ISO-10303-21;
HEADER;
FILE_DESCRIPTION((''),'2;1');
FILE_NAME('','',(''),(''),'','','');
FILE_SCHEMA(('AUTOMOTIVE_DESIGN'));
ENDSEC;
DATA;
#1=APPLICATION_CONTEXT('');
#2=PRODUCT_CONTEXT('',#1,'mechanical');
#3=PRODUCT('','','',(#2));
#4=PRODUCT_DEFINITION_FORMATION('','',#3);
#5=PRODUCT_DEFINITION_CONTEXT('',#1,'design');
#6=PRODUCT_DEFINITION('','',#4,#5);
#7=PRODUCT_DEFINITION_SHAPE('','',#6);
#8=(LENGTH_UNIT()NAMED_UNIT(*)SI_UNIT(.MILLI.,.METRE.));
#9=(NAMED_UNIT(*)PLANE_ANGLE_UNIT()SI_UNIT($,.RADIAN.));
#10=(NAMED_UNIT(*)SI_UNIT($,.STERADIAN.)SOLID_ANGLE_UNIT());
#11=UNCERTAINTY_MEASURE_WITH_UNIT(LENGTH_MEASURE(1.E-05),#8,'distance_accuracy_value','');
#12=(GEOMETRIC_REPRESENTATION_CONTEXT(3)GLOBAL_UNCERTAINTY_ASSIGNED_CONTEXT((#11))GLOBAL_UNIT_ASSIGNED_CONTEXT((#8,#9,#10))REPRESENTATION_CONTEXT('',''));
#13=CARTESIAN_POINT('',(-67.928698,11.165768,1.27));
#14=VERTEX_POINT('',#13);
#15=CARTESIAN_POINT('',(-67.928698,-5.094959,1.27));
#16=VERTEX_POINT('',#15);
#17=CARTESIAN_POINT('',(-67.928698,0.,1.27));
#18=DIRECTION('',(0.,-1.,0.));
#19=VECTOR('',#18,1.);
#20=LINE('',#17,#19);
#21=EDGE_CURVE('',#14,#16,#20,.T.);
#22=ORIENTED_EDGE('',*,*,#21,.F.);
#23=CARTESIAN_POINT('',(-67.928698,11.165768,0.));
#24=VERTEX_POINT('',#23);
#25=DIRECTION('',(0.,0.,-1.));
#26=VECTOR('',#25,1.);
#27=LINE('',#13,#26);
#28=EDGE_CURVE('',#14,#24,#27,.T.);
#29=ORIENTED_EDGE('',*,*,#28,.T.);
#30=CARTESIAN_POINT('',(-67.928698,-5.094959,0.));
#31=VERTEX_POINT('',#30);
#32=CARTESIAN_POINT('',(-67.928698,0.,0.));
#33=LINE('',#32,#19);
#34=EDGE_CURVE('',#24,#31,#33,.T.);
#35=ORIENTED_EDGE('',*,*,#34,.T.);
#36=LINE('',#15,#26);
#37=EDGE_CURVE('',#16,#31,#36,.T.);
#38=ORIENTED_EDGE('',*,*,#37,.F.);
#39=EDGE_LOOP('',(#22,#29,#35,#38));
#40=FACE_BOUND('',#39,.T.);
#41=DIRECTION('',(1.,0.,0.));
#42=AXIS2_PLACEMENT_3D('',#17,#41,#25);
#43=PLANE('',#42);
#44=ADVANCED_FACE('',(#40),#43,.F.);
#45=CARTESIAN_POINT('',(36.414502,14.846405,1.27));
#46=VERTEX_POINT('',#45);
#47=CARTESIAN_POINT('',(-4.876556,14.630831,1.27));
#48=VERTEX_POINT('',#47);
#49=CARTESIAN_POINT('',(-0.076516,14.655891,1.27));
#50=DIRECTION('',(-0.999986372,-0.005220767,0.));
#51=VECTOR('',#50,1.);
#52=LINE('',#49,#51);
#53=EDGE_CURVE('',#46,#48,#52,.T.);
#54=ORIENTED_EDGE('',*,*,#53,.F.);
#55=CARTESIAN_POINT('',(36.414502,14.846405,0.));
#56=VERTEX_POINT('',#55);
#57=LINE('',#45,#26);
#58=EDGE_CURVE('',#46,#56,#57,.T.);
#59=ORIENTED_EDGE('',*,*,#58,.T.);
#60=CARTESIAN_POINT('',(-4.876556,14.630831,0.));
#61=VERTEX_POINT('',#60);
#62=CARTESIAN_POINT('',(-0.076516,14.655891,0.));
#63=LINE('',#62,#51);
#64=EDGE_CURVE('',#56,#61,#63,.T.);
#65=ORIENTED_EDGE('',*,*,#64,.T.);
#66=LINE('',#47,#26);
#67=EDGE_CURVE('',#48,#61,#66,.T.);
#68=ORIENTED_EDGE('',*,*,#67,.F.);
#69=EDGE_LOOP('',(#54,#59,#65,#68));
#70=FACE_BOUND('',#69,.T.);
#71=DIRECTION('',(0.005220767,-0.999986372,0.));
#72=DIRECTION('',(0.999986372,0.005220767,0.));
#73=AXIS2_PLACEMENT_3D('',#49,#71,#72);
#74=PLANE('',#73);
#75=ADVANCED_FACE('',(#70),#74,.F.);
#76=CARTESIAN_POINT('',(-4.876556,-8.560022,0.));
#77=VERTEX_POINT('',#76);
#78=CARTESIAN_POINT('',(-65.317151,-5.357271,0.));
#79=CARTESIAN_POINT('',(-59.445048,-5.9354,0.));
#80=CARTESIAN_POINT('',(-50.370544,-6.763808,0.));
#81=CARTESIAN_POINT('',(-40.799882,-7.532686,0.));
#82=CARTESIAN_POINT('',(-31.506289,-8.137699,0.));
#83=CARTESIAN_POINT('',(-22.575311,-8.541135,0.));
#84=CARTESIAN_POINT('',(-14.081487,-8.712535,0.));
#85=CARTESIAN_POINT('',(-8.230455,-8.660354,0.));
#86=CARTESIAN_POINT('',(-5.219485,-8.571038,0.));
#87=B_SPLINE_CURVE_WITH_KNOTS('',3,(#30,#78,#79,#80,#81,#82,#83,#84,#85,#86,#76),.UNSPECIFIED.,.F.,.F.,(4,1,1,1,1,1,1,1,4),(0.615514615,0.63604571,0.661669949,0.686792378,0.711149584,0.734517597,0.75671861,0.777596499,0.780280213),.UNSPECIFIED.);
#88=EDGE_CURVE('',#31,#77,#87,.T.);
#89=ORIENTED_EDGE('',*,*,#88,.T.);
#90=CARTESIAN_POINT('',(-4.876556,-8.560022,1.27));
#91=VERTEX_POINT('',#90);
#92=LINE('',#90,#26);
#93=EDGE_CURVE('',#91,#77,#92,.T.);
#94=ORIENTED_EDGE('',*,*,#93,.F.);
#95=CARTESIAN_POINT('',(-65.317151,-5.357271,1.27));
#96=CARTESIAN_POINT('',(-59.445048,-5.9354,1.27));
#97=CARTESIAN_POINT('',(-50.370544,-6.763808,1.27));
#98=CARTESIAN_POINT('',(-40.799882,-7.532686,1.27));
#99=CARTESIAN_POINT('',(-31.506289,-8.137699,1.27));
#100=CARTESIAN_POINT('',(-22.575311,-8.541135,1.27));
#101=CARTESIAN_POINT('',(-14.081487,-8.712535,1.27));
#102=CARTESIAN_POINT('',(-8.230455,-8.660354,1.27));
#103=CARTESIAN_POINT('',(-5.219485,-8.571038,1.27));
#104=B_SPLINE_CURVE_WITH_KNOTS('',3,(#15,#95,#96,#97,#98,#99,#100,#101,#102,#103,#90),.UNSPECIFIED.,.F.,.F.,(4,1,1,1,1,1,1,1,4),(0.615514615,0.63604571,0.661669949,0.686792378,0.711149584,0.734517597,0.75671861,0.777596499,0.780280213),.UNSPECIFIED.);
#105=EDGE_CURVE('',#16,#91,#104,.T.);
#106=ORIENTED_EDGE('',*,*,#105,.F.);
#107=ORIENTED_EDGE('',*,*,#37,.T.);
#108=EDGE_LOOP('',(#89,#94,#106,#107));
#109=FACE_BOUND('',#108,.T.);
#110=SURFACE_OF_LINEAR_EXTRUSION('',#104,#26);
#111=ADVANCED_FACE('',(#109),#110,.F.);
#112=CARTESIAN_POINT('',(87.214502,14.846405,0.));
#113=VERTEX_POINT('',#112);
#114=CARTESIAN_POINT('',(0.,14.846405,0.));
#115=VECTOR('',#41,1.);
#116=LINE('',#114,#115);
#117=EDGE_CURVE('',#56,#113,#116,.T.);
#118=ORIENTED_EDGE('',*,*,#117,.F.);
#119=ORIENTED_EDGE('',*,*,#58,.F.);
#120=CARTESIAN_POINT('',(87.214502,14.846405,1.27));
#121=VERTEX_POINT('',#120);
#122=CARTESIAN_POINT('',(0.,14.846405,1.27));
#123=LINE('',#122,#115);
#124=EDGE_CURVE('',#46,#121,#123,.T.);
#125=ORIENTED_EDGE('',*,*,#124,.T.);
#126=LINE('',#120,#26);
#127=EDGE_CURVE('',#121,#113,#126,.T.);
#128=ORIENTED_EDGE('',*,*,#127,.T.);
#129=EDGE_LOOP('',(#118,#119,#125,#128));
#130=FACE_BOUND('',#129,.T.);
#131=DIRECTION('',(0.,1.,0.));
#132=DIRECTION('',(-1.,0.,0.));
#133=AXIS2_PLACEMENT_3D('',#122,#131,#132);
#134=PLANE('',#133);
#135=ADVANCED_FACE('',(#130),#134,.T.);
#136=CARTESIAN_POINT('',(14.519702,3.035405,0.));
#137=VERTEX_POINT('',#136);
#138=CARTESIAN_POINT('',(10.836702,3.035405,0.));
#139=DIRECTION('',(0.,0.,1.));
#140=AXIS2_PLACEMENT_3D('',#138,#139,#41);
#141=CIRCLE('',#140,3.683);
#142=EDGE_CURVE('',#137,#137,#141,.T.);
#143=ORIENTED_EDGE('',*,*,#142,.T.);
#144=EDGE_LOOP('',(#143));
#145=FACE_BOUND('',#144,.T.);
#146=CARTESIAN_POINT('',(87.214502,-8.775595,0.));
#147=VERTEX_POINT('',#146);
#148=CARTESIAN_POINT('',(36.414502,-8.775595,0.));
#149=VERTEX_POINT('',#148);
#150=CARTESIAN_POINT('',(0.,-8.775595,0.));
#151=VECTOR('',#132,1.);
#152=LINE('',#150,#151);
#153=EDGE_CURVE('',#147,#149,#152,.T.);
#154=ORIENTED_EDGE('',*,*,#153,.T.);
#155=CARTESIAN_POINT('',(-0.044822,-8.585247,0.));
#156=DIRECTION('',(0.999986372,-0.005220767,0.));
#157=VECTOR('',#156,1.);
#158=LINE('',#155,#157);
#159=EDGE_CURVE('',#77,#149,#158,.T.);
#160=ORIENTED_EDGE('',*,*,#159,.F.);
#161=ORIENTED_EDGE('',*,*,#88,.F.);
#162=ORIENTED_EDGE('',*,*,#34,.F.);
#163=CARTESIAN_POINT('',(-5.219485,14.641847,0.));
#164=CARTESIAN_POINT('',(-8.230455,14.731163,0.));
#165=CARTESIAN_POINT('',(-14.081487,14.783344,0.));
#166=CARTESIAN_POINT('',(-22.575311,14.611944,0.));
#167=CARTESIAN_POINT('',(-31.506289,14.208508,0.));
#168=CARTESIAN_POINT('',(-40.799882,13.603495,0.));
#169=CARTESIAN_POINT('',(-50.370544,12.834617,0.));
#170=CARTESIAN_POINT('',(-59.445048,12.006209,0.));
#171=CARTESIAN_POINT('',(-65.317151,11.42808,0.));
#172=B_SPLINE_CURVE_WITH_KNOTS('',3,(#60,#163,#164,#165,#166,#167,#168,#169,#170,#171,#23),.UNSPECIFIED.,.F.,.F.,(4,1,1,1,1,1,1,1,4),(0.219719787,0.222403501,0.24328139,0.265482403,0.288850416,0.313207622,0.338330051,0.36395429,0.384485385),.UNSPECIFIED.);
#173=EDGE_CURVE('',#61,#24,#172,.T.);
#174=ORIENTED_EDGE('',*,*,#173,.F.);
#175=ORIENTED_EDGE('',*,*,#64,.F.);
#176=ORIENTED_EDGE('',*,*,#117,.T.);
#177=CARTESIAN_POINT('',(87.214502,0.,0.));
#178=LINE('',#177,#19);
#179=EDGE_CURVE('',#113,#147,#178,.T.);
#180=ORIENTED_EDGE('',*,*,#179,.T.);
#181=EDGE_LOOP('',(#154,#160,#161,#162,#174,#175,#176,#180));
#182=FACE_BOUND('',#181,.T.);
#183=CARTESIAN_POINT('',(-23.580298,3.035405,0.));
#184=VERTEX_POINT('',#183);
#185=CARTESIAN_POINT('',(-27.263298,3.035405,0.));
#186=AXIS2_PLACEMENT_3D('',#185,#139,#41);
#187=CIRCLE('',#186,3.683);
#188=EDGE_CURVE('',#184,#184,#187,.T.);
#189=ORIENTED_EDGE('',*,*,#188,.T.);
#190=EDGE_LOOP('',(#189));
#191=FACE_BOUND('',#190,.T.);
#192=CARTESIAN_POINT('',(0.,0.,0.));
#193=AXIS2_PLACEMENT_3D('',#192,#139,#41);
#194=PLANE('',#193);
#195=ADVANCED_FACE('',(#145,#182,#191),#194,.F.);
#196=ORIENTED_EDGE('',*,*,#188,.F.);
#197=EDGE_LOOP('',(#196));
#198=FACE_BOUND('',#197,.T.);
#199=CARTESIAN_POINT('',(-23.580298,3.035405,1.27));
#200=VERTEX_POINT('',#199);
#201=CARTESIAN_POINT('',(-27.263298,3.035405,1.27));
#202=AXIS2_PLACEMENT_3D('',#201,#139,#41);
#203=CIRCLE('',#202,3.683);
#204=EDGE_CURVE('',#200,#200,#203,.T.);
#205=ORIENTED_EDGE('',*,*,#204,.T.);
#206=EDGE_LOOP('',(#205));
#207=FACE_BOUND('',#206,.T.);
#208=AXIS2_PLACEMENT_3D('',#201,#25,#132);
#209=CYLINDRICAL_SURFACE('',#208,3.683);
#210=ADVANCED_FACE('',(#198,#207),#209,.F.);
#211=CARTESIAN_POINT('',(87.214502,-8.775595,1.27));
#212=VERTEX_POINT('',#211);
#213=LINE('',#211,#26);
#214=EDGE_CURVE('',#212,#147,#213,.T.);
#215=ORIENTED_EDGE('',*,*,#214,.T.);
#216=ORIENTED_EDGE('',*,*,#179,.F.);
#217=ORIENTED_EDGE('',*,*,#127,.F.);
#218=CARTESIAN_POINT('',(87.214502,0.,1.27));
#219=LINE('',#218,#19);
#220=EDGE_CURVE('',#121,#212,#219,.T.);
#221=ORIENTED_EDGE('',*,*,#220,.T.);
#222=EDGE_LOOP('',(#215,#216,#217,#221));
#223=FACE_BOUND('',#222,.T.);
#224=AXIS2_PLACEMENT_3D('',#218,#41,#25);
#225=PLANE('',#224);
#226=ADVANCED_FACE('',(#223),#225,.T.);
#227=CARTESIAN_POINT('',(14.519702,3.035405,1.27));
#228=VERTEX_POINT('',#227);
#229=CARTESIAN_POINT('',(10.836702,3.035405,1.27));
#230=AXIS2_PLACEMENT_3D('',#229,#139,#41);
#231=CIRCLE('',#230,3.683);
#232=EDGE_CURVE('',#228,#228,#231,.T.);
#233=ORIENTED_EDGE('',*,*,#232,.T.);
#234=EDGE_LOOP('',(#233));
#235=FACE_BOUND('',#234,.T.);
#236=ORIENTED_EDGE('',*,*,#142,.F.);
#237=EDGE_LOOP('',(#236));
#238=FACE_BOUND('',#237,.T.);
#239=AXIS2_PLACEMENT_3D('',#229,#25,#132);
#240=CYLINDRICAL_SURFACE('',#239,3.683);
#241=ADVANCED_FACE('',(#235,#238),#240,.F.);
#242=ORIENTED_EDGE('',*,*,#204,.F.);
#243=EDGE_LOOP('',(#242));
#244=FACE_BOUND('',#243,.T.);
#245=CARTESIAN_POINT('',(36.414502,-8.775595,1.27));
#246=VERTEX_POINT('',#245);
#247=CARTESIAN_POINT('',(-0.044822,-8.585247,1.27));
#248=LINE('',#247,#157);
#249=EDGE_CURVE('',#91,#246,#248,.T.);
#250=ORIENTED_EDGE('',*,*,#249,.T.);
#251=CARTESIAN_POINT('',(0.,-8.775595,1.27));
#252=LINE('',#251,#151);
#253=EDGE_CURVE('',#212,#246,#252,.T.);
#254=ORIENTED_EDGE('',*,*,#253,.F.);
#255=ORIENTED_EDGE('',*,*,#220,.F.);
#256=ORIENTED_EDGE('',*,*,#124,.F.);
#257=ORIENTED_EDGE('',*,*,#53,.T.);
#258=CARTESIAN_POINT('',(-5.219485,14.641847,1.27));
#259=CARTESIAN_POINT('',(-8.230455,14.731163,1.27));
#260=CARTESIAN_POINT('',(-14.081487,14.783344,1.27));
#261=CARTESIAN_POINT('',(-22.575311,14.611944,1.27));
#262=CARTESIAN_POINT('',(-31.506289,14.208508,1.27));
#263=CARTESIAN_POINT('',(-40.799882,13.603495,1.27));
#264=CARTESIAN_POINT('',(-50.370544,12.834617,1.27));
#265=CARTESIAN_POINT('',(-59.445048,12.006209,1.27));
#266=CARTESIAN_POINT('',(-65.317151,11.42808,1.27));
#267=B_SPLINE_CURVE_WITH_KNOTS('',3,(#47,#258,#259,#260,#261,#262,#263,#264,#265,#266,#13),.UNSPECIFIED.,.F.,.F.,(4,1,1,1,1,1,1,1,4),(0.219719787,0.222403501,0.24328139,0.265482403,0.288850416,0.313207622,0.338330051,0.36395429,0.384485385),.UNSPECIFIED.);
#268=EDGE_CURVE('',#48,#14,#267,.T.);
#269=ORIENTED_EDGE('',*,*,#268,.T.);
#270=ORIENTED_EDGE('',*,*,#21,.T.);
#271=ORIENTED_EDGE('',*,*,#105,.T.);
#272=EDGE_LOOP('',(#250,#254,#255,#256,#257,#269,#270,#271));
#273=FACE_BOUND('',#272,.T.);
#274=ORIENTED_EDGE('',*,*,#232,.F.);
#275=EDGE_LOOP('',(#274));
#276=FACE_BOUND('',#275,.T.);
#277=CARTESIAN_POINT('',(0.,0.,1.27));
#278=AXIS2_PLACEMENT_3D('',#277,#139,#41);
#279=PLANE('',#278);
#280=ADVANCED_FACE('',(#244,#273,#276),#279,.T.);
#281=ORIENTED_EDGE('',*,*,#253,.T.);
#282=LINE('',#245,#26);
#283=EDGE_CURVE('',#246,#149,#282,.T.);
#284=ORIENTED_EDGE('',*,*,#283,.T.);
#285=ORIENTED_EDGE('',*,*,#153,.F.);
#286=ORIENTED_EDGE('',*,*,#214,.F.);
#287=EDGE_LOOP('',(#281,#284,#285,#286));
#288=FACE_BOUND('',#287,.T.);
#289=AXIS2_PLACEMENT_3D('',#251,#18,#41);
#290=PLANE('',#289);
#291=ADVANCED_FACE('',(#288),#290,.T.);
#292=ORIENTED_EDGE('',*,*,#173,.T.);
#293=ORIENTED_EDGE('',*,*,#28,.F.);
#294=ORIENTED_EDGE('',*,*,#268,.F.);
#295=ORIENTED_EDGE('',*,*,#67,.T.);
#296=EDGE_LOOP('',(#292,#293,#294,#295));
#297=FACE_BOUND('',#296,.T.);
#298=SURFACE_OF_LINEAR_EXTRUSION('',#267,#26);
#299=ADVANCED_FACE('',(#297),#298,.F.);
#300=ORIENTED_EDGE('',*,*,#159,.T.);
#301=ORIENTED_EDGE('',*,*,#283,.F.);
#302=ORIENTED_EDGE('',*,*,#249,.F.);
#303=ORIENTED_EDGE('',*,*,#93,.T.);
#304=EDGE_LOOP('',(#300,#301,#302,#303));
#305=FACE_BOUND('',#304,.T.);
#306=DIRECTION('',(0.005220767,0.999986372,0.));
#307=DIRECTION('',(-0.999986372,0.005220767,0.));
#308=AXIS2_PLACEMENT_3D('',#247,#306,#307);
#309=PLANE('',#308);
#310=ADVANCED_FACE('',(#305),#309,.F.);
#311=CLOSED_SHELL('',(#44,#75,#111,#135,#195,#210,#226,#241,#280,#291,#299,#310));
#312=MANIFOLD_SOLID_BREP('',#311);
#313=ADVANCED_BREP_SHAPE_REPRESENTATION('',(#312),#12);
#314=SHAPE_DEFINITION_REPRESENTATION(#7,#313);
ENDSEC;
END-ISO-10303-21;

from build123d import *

# Parameters (mm, degrees)
SKETCH1_R           = 3.683
BOSS_EXTRUDE1_DEPTH = 1.27


with BuildPart() as part:
    # Sketch1 → Boss-Extrude1 (new body)
    with BuildSketch(Plane.XY):
        with BuildLine():
            Line((-67.928698338, 11.165767897), (-67.928698338, -5.09495887))
            add(Edge.make_bspline(
                [(-67.928698338, -5.09495887), (-65.317150891, -5.357271388), (-59.445047559, -5.93539969), (-50.370544126, -6.763807956), (-40.79988194, -7.532686473), (-31.506289085, -8.137699048), (-22.575311372, -8.541135315), (-14.081486566, -8.712534782), (-8.230455293, -8.660353622), (-5.219485256, -8.571038003), (-4.87655586, -8.560021553)],
                knots=[0.615514615, 0.615514615, 0.615514615, 0.615514615, 0.63604571, 0.661669949, 0.686792378, 0.711149584, 0.734517597, 0.75671861, 0.777596499, 0.780280213, 0.780280213, 0.780280213, 0.780280213], degree=3))
            Line((-4.87655586, -8.560021553), (36.414501662, -8.775595487))
            Line((36.414501662, -8.775595487), (87.214501662, -8.775595487))
            Line((87.214501662, -8.775595487), (87.214501662, 14.846404513))
            Line((87.214501662, 14.846404513), (36.414501662, 14.846404513))
            Line((36.414501662, 14.846404513), (-4.87655586, 14.63083058))
            add(Edge.make_bspline(
                [(-4.87655586, 14.63083058), (-5.219485256, 14.64184703), (-8.230455293, 14.731162649), (-14.081486566, 14.783343809), (-22.575311372, 14.611944341), (-31.506289085, 14.208508075), (-40.79988194, 13.6034955), (-50.370544126, 12.834616983), (-59.445047559, 12.006208717), (-65.317150891, 11.428080415), (-67.928698338, 11.165767897)],
                knots=[0.219719787, 0.219719787, 0.219719787, 0.219719787, 0.222403501, 0.24328139, 0.265482403, 0.288850416, 0.313207622, 0.338330051, 0.36395429, 0.384485385, 0.384485385, 0.384485385, 0.384485385], degree=3))
        make_face()
        with Locations((10.836701662, 3.035404513)):
            Circle(SKETCH1_R, mode=Mode.SUBTRACT)
        with Locations((-27.263298338, 3.035404513)):
            Circle(SKETCH1_R, mode=Mode.SUBTRACT)
    extrude(amount=BOSS_EXTRUDE1_DEPTH)


solid = part.part
